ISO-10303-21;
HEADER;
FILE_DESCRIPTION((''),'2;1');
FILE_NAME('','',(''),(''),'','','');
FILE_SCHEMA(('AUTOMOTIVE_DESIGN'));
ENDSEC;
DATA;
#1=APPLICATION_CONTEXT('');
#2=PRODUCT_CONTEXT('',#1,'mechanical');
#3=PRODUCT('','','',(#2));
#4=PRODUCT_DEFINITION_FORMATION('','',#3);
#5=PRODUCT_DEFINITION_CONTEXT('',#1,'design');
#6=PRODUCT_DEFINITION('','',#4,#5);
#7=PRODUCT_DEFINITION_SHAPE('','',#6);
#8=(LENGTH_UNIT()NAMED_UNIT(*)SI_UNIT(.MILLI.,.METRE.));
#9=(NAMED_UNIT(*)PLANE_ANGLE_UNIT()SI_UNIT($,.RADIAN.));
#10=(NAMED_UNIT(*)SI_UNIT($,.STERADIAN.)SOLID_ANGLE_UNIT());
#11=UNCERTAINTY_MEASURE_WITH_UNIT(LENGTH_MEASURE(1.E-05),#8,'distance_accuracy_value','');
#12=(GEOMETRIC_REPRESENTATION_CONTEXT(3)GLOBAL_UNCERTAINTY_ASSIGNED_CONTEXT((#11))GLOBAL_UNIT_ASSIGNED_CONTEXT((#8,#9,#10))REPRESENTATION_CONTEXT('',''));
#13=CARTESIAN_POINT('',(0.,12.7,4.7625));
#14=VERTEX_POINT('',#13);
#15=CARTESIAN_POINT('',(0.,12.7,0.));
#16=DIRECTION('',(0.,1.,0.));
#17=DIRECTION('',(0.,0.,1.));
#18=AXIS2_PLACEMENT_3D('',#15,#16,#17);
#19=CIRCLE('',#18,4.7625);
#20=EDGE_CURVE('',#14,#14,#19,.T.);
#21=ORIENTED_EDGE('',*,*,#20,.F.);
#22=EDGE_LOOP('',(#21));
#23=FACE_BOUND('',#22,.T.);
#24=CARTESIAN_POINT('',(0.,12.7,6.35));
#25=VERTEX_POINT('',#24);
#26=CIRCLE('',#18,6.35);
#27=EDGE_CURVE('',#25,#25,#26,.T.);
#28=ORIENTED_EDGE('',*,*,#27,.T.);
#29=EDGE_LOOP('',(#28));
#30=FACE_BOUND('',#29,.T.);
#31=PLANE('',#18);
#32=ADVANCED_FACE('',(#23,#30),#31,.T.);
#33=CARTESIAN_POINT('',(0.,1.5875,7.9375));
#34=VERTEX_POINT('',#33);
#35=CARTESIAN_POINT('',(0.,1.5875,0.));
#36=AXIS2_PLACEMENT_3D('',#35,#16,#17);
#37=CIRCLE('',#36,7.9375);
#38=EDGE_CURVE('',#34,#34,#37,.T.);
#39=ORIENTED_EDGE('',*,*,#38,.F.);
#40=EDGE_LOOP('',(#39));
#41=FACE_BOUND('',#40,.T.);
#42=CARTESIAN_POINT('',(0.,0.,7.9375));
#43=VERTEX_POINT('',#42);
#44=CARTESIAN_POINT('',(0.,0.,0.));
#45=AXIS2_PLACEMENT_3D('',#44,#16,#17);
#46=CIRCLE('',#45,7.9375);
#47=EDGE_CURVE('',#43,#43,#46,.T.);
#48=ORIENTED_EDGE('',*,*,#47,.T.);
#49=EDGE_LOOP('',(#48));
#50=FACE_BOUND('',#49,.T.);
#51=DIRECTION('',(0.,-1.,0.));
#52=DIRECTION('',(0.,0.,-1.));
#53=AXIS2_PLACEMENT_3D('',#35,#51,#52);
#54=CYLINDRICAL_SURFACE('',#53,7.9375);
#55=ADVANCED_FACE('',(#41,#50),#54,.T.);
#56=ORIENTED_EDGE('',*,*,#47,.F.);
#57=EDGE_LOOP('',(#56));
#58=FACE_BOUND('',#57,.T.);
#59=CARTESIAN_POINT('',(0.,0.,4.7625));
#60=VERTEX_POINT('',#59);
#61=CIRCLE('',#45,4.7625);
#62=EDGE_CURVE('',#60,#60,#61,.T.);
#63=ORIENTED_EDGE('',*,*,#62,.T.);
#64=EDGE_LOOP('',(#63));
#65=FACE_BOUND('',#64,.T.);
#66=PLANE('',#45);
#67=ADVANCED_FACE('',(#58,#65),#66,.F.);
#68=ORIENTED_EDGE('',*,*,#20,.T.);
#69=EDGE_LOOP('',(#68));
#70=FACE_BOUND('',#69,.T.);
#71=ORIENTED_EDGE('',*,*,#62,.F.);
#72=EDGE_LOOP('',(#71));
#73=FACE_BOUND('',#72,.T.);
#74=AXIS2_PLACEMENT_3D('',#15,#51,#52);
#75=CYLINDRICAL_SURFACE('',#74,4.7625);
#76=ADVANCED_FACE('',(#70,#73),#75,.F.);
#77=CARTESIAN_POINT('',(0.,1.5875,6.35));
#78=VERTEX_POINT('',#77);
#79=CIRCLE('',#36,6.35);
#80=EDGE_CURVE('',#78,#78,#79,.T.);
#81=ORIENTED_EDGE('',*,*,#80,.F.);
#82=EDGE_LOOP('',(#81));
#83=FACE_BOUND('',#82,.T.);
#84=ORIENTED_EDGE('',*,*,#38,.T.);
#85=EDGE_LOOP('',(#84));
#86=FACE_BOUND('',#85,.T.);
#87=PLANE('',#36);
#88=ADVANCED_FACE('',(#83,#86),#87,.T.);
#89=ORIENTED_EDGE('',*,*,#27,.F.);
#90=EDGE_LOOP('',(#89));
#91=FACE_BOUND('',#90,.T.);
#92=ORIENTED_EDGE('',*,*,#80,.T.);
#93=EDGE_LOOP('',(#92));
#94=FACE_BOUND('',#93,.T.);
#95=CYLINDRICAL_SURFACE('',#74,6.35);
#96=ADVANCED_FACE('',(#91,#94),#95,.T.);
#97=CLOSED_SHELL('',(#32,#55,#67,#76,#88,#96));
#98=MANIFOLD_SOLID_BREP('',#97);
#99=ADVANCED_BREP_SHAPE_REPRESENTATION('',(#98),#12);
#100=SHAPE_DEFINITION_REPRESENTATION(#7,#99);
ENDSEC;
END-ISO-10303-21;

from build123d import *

# Parameters (mm, degrees)
SKETCH2_R           = 6.35
SKETCH2_R_2         = 4.7625
BOSS_EXTRUDE1_DEPTH = 12.7
SKETCH3_R           = 7.9375
SKETCH3_R_2         = 6.35
BOSS_EXTRUDE2_DEPTH = 1.5875


with BuildPart() as part:
    # Sketch2 → Boss-Extrude1 (new body)
    with BuildSketch(Plane(origin=(0, 0, 0), x_dir=(1, 0, 0), z_dir=(0, 1, 0))):
        with Locations(Location((0, 0, 0), (0, 0, 270))):
            Circle(SKETCH2_R)
        with Locations(Location((0, 0, 0), (0, 0, 270))):
            Circle(SKETCH2_R_2, mode=Mode.SUBTRACT)
    extrude(amount=BOSS_EXTRUDE1_DEPTH)

    # Sketch3 → Boss-Extrude2 (add)
    with BuildSketch(Plane(origin=(0, 0, 0), x_dir=(1, 0, 0), z_dir=(0, 1, 0))):
        with Locations(Location((0, 0, 0), (0, 0, 270))):
            Circle(SKETCH3_R)
        with Locations(Location((0, 0, 0), (0, 0, 270))):
            Circle(SKETCH3_R_2, mode=Mode.SUBTRACT)
    extrude(amount=BOSS_EXTRUDE2_DEPTH)


solid = part.part
